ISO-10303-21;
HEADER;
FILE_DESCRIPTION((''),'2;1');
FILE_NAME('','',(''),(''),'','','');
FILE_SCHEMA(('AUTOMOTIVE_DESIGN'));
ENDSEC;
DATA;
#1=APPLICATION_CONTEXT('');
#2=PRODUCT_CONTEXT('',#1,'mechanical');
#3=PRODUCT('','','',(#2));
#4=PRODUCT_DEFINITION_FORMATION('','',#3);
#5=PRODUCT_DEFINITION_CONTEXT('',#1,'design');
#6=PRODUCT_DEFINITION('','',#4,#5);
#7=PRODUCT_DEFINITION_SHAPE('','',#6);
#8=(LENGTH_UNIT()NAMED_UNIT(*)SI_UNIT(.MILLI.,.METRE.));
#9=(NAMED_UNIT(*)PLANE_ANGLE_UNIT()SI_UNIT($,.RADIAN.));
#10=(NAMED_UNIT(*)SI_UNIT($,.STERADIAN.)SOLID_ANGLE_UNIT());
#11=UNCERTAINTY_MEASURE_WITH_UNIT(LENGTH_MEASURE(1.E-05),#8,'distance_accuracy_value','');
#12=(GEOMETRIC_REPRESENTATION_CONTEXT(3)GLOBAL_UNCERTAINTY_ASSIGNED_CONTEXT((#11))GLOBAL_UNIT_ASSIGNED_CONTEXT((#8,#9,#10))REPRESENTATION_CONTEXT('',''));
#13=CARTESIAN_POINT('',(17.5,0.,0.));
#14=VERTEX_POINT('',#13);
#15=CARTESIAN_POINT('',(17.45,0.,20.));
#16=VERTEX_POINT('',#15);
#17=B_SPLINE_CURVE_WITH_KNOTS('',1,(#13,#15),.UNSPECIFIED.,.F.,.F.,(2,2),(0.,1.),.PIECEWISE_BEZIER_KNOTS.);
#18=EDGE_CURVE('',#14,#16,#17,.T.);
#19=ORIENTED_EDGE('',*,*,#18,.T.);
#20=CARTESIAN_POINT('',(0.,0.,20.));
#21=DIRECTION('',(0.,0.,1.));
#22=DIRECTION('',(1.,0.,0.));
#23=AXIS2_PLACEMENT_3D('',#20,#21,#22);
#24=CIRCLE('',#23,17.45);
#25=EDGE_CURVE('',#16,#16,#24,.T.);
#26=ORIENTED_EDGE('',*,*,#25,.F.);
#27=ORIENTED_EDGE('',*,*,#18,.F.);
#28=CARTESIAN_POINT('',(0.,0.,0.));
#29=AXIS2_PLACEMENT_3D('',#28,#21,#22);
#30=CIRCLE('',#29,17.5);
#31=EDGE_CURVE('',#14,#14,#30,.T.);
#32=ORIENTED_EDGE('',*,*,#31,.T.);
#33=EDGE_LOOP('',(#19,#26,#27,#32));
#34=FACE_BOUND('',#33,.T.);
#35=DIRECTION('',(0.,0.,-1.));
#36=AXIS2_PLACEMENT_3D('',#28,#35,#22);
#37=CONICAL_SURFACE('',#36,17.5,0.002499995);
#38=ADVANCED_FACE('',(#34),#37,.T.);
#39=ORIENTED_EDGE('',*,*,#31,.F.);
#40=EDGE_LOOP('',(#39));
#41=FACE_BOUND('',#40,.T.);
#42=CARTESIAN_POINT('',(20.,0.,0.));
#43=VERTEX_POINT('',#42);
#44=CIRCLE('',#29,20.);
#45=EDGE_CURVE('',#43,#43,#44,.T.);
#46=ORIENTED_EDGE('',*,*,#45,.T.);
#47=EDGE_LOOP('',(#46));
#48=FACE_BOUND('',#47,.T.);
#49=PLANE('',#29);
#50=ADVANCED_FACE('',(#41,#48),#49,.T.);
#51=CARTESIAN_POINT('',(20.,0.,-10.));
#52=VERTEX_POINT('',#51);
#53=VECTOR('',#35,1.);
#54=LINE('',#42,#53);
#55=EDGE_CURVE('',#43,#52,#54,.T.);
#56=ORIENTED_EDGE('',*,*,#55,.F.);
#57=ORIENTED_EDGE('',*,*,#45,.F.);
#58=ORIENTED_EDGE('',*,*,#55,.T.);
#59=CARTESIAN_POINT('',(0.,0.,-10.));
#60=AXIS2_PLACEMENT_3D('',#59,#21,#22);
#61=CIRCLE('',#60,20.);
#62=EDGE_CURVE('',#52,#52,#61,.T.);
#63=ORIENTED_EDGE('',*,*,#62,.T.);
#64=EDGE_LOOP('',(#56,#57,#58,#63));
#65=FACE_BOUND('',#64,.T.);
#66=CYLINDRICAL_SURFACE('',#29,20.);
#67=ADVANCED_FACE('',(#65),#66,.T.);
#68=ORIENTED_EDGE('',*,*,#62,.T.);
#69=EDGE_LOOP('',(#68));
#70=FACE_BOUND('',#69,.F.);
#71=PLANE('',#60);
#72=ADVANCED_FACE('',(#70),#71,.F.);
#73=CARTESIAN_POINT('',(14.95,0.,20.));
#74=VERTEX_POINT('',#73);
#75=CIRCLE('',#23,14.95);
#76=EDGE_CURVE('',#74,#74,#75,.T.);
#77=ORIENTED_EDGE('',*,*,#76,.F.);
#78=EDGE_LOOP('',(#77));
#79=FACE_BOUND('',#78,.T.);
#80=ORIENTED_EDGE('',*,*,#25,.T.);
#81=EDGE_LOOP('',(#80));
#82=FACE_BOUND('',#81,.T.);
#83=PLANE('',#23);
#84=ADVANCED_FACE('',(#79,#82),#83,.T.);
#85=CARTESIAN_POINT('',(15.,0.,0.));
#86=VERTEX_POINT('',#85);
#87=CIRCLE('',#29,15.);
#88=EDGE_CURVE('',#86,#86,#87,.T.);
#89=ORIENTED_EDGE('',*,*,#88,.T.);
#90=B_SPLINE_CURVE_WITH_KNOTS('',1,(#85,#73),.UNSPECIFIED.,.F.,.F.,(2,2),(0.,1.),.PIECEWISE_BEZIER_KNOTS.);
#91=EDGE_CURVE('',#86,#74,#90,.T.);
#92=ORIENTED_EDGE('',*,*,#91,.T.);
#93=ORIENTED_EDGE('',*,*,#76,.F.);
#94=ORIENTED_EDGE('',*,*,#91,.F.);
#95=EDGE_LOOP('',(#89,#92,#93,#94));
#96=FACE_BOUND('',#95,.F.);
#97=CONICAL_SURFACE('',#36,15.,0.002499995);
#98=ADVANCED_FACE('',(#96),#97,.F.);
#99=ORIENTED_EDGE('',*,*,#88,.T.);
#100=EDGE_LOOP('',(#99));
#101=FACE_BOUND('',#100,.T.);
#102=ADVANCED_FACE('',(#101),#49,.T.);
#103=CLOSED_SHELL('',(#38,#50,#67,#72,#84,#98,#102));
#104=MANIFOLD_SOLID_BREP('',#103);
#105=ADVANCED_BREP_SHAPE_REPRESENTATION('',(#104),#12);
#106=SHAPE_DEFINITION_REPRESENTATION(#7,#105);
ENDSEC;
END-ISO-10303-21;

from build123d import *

# Parameters (mm, degrees)
SKETCH_R    = 20
PAD_DEPTH   = 10
SKETCH001_R = 17.5
SKETCH002_R = 17.45
SKETCH003_R = 15
SKETCH004_R = 14.95


with BuildPart() as part:
    # Sketch → Pad (new body)
    with BuildSketch(Plane.XY):
        Circle(SKETCH_R)
    extrude(amount=-PAD_DEPTH)

    # Sketch001 → AdditiveLoft section 0
    with BuildSketch(Plane.XY):
        Circle(SKETCH001_R)
    # Sketch002 (on DatumPlane) → AdditiveLoft section 1
    with BuildSketch(Plane.XY.offset(20)):
        Circle(SKETCH002_R)
    loft()

    # Sketch003 → SubtractiveLoft section 0
    with BuildSketch(Plane.XY):
        Circle(SKETCH003_R)
    # Sketch004 (on DatumPlane) → SubtractiveLoft section 1
    with BuildSketch(Plane.XY.offset(20)):
        Circle(SKETCH004_R)
    loft(mode=Mode.SUBTRACT)


solid = part.part
